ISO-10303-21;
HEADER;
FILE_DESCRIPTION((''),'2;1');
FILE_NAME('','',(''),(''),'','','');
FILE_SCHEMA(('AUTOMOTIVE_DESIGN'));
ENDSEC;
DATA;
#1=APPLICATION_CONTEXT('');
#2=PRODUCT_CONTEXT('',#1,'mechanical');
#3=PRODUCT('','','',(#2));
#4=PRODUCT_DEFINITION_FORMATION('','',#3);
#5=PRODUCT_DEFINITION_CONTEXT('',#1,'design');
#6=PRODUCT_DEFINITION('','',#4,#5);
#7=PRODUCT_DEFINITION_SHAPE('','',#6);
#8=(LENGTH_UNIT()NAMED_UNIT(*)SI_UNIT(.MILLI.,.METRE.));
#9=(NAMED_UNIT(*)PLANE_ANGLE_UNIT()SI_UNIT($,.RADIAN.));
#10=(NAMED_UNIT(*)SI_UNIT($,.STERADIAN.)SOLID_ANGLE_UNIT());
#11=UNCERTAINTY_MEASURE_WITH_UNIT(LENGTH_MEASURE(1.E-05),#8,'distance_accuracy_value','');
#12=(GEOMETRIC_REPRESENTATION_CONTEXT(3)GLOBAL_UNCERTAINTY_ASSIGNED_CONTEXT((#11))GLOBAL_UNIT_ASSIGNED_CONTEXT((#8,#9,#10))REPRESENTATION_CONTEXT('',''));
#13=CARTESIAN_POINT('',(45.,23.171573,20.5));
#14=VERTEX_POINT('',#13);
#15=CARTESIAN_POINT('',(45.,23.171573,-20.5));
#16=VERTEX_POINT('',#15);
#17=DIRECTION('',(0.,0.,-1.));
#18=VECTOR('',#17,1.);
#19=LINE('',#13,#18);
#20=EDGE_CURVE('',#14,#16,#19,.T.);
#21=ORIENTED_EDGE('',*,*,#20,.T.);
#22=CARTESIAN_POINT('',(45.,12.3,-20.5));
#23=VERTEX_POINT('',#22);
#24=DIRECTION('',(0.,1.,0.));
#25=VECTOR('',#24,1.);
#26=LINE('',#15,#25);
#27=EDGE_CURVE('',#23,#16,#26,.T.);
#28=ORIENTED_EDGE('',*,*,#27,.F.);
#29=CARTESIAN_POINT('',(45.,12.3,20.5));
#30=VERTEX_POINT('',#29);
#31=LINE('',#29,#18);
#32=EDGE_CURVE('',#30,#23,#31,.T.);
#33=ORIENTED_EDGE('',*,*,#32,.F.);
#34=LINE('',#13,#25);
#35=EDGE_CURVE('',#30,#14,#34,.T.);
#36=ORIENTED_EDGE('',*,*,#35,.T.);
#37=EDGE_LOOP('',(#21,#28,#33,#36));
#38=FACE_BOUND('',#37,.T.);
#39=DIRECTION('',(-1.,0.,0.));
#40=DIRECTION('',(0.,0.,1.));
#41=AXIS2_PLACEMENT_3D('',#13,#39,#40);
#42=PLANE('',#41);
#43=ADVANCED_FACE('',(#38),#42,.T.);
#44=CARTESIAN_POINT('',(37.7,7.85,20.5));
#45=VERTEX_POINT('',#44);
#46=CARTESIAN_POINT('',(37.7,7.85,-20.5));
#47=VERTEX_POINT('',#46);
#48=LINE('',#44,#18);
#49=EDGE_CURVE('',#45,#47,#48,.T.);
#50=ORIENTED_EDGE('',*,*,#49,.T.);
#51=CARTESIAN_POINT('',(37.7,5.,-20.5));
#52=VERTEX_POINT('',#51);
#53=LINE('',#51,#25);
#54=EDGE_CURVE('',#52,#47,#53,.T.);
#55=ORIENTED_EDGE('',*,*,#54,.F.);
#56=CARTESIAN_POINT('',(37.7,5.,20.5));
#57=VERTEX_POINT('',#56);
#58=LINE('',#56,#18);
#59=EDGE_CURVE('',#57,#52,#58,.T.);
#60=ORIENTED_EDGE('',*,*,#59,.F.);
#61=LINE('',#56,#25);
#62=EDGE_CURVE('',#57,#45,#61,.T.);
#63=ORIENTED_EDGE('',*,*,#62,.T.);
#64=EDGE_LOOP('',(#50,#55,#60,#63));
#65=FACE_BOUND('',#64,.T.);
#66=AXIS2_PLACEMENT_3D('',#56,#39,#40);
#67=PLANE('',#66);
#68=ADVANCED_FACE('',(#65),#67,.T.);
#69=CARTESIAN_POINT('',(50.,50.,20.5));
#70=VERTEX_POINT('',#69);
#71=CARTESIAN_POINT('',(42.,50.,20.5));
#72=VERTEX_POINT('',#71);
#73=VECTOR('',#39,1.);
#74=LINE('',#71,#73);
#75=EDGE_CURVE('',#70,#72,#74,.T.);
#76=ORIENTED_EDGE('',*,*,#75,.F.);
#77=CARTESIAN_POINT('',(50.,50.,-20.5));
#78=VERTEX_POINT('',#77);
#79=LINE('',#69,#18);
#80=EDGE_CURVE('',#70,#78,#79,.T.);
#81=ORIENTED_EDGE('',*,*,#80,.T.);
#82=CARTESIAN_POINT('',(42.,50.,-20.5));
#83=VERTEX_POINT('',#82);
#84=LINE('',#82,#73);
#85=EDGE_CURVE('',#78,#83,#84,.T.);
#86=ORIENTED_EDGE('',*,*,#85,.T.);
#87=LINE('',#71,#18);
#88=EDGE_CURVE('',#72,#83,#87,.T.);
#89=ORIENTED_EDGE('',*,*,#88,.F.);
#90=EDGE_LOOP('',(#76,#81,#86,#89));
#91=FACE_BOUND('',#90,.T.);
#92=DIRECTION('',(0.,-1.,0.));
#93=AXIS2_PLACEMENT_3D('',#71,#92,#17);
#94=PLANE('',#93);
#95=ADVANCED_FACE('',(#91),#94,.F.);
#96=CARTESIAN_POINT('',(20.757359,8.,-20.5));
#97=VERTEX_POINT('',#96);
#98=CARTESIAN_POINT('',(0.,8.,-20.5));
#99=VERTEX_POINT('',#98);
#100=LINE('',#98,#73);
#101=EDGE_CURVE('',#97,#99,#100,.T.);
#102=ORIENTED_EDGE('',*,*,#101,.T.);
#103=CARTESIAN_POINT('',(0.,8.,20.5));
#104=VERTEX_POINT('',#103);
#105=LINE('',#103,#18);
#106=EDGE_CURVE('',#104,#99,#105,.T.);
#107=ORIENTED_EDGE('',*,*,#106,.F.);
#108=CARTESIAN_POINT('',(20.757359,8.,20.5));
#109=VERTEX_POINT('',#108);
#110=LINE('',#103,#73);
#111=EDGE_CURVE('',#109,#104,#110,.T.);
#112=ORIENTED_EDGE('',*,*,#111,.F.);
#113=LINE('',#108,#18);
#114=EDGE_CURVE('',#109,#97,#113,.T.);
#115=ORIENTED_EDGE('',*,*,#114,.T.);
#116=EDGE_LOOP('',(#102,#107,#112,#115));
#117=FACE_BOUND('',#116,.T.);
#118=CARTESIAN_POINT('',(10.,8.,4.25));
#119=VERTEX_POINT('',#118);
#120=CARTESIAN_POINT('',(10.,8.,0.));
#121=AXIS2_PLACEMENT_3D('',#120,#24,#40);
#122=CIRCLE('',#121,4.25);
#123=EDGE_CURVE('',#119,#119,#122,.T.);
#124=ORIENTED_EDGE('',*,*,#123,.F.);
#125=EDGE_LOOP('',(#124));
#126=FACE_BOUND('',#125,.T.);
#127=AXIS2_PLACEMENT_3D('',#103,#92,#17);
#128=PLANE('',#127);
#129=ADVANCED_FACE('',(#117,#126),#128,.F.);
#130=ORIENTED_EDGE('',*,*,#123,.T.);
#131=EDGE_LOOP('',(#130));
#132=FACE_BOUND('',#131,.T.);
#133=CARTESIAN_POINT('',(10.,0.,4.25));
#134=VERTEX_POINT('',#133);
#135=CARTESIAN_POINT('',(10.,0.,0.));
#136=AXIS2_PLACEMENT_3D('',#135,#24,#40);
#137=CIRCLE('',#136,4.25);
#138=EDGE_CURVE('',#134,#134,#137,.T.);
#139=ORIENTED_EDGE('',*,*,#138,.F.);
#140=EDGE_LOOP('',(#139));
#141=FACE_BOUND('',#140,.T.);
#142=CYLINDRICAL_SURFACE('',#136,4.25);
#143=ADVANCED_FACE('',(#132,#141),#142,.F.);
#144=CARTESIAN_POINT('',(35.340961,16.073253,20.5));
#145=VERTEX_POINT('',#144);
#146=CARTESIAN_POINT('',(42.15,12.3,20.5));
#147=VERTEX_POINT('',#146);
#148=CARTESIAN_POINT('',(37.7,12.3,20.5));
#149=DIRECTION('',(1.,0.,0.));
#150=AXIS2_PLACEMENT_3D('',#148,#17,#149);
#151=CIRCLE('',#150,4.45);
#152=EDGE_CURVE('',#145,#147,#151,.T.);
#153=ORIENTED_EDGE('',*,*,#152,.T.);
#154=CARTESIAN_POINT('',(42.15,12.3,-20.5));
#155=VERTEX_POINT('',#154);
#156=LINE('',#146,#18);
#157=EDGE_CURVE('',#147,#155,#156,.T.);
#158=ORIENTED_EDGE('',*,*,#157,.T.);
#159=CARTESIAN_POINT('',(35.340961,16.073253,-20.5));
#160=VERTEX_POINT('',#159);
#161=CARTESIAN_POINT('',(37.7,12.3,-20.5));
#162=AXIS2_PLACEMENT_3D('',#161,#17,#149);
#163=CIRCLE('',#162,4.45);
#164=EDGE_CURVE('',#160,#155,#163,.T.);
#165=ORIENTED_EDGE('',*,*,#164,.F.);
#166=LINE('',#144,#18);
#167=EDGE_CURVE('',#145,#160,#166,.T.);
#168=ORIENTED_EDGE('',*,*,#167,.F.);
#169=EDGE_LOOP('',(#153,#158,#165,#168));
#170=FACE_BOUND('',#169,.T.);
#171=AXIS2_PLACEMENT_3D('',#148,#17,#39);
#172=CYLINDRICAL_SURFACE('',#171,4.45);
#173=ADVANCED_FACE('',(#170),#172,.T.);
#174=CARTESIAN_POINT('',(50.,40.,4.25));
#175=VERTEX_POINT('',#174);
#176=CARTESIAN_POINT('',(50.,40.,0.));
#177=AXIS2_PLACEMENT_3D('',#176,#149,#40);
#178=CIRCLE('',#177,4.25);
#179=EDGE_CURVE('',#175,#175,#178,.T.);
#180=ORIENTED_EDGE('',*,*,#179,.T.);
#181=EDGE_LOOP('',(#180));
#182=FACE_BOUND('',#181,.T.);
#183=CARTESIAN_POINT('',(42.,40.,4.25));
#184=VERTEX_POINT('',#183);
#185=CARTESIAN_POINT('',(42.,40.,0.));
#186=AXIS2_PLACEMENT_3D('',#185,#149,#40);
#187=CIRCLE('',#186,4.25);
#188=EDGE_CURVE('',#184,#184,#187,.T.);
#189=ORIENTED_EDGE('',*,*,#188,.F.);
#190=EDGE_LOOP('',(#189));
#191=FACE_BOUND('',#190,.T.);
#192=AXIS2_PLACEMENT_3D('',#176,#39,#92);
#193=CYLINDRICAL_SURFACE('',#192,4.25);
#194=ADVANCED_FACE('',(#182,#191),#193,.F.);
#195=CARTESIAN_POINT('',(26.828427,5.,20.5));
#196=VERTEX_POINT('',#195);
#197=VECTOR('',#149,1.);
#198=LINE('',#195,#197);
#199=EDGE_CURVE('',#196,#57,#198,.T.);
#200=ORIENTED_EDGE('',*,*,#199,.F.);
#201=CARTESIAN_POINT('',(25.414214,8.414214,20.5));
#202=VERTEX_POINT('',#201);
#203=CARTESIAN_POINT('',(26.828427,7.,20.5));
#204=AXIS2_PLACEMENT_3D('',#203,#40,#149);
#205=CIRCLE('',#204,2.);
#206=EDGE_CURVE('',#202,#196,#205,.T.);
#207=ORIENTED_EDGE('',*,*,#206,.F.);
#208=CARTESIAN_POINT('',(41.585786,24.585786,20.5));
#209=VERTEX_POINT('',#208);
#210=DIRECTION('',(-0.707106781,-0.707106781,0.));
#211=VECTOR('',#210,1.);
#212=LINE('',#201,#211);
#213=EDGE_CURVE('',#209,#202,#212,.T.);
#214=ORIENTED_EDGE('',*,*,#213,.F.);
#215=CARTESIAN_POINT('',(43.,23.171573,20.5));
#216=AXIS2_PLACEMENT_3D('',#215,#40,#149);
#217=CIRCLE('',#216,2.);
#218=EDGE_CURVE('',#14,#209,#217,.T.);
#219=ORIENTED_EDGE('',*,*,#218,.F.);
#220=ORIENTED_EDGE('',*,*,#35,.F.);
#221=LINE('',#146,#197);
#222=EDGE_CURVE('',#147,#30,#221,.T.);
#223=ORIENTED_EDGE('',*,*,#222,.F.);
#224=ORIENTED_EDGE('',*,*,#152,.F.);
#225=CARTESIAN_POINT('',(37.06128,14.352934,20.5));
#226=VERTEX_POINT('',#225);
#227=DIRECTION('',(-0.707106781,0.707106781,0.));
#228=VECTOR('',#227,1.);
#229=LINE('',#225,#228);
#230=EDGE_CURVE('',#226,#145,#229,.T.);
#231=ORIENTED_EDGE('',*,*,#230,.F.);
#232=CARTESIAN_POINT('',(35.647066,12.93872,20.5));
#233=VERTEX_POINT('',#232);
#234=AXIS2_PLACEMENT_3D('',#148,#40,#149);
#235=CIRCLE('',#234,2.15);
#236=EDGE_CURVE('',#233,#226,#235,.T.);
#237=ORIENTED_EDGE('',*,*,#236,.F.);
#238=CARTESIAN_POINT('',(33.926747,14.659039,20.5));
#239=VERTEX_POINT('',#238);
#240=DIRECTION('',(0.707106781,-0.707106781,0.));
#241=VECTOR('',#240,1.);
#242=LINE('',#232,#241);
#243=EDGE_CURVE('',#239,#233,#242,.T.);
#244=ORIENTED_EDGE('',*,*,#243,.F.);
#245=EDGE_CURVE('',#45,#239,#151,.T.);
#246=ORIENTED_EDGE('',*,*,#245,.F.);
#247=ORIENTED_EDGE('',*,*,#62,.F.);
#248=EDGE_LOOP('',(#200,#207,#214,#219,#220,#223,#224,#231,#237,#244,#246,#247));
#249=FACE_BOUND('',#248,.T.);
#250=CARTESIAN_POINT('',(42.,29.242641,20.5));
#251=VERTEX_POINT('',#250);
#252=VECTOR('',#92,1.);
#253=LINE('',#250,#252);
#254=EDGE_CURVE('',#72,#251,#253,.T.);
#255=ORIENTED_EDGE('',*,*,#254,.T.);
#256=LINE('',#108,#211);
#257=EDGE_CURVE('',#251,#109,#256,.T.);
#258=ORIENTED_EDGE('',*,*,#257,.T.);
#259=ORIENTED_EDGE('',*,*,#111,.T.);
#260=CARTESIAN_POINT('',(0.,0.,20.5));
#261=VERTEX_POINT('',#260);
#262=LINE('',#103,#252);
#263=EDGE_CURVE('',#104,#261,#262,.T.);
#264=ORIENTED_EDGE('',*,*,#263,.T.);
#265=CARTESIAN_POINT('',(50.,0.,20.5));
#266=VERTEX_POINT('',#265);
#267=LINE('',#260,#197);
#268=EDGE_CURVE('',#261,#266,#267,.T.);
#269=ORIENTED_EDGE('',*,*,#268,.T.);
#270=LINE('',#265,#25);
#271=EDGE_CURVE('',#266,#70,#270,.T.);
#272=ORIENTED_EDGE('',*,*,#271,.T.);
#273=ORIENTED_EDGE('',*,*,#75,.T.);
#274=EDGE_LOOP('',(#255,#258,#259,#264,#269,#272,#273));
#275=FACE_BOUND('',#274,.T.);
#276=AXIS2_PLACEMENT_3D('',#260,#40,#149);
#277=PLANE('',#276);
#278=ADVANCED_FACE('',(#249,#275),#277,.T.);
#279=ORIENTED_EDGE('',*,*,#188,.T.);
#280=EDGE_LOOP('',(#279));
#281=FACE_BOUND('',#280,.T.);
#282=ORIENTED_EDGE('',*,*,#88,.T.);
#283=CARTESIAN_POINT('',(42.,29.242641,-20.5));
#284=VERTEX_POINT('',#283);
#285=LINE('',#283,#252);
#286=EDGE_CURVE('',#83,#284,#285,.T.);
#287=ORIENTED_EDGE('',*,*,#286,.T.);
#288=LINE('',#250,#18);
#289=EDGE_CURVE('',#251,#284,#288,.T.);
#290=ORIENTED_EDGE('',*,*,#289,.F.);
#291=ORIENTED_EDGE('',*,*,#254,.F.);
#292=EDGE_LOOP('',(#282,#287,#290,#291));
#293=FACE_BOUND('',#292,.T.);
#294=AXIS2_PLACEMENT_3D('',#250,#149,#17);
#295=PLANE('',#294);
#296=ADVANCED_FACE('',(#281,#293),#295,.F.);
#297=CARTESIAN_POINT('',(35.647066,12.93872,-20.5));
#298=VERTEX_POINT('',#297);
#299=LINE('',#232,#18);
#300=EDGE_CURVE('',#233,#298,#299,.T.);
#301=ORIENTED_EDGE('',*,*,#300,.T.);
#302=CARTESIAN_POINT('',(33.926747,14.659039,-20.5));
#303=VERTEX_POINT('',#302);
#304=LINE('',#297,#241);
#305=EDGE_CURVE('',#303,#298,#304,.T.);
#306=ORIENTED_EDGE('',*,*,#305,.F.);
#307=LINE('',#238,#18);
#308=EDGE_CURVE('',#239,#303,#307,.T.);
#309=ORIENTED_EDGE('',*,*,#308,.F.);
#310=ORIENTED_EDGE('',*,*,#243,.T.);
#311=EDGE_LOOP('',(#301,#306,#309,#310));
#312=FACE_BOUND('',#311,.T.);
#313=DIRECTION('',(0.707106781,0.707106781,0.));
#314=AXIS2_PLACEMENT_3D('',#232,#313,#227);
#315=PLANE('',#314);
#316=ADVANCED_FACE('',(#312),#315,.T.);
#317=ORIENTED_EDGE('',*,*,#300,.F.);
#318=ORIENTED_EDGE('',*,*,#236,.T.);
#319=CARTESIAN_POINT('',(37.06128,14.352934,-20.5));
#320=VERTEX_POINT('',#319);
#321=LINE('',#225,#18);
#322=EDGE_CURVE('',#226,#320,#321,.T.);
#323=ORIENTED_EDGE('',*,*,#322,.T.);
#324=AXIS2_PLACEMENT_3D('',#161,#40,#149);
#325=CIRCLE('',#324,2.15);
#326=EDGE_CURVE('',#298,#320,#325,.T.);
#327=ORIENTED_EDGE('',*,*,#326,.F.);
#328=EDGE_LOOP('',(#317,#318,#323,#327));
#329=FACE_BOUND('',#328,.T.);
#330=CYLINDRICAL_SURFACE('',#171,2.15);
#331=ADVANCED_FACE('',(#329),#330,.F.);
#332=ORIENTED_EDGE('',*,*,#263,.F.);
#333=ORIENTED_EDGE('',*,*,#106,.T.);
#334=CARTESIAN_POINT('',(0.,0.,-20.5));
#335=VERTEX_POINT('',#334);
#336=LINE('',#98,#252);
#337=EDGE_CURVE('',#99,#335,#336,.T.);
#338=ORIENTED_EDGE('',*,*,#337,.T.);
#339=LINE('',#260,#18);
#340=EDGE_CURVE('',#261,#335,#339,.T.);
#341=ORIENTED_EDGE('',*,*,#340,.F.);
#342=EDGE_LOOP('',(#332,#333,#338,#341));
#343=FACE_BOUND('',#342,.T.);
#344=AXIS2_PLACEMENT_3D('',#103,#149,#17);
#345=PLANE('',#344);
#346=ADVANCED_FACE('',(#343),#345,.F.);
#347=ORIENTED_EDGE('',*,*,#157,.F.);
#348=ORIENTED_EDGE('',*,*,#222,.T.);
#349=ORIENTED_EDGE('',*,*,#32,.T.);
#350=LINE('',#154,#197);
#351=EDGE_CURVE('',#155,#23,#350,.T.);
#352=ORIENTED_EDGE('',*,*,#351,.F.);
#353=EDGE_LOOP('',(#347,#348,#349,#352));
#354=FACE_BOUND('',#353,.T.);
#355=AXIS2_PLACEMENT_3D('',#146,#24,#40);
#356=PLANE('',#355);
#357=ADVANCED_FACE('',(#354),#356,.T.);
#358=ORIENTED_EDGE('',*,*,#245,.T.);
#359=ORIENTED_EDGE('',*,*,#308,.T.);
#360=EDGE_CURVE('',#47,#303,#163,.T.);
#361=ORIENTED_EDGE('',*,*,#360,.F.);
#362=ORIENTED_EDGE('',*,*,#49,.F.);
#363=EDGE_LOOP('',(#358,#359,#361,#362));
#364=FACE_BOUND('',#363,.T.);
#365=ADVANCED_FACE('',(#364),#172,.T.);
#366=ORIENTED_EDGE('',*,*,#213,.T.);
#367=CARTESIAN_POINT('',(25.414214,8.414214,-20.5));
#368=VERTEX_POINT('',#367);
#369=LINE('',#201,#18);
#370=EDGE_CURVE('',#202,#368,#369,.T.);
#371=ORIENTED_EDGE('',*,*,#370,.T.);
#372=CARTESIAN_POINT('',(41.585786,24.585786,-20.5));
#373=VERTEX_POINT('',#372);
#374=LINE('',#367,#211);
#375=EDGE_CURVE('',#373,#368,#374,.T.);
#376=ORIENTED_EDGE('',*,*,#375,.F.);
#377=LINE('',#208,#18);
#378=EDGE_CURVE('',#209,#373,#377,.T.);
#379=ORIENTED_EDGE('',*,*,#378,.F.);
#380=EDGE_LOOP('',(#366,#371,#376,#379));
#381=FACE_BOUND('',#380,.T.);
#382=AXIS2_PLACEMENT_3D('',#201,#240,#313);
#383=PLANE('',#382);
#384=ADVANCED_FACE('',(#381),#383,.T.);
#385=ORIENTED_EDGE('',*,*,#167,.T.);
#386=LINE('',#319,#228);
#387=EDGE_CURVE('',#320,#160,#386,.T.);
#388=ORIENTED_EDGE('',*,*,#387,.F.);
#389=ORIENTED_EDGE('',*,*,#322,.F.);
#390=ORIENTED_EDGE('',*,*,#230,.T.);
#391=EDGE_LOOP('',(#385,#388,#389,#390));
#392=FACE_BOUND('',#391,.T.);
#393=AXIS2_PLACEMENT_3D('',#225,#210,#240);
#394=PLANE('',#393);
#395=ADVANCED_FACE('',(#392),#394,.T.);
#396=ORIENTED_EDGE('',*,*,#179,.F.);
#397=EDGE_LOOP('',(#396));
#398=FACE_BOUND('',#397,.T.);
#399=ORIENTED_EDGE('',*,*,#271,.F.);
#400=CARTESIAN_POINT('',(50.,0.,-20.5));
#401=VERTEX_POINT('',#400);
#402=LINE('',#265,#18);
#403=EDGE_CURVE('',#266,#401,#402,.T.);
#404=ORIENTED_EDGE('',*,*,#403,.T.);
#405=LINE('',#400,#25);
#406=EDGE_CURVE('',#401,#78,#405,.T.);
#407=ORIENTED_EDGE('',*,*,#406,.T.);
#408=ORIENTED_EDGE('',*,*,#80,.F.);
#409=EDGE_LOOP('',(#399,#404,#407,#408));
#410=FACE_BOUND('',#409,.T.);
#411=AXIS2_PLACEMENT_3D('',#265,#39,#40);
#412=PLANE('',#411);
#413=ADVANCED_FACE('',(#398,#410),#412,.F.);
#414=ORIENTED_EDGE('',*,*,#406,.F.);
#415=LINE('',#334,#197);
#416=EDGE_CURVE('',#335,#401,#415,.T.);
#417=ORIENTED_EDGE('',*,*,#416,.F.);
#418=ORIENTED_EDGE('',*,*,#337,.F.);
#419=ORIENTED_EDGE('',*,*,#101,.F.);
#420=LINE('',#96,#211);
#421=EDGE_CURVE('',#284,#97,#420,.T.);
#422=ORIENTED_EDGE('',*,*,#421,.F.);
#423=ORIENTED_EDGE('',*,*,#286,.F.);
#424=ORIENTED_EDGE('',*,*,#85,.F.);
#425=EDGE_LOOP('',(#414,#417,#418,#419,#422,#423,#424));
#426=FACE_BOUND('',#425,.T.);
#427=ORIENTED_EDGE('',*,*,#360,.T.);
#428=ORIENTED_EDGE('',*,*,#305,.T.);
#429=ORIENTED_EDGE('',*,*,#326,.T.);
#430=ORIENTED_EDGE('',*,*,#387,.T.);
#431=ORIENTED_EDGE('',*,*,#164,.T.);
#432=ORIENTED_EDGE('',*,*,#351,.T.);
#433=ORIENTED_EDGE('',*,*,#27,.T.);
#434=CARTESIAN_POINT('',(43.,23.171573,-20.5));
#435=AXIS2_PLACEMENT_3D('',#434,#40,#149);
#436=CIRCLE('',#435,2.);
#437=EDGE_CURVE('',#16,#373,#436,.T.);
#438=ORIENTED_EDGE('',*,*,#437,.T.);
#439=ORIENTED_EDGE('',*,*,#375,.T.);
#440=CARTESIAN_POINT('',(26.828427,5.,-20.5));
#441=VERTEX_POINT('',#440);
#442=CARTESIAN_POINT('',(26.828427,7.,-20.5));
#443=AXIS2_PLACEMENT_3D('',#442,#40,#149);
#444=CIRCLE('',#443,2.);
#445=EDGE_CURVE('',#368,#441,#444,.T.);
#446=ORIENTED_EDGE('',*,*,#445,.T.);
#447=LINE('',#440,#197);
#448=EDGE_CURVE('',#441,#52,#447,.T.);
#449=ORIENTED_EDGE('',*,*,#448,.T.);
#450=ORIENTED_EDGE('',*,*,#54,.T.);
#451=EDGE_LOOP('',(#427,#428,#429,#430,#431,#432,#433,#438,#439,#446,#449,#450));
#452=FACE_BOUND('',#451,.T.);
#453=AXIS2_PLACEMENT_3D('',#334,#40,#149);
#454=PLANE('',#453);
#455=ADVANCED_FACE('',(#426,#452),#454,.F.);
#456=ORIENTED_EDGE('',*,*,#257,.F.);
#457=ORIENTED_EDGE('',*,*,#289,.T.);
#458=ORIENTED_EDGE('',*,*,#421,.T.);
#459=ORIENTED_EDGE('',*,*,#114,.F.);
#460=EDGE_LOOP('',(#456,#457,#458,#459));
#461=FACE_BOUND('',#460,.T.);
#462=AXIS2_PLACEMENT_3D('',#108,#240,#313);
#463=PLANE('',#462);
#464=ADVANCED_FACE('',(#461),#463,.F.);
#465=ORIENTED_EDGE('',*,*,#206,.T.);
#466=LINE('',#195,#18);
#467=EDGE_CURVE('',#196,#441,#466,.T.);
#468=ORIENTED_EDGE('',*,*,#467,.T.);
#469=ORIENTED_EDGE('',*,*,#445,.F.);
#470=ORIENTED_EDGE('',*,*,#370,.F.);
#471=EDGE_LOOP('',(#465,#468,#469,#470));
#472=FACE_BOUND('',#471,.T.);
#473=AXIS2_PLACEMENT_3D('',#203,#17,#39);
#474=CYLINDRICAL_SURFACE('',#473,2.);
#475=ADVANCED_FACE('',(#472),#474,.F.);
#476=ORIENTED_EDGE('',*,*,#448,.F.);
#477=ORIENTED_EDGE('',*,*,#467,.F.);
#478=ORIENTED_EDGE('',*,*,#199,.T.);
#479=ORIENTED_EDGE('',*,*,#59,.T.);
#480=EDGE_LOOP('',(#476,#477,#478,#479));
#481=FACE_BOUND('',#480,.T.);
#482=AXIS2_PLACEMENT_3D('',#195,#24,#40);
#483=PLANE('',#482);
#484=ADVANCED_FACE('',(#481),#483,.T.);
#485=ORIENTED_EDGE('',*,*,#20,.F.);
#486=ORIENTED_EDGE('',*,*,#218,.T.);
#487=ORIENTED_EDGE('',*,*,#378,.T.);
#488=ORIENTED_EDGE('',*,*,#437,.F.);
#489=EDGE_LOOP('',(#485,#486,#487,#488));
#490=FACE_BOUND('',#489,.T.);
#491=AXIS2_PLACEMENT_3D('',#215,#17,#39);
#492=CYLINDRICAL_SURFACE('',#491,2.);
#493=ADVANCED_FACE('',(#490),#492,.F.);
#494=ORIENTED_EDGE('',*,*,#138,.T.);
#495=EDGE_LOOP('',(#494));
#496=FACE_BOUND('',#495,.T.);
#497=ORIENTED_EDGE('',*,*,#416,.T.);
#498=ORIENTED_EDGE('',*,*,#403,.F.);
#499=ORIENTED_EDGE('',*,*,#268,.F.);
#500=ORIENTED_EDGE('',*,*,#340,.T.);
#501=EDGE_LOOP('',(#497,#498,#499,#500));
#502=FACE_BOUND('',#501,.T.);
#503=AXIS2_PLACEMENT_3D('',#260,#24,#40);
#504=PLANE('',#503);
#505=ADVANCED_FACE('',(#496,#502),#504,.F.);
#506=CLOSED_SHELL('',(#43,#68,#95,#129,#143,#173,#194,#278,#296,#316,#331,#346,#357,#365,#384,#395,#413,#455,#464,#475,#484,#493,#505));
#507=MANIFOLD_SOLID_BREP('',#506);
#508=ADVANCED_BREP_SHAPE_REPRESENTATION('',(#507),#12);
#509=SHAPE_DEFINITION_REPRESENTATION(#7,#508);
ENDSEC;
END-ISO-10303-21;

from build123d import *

# Parameters (mm, degrees)
EXTRUDE_1_DEPTH     = 20.5
SKETCH_3_R          = 4.25
CUT_EXTRUDE_1_DEPTH = 69.441580929


with BuildPart() as part:
    # 草图1 → 凸台-拉伸1 (new, symmetric)
    with BuildSketch(Plane.XY):
        Polygon((0, 0), (50, 0), (50, 50), (42, 50), (42, 29.242640687), (20.757359313, 8), (0, 8), align=None)
        with BuildLine():
            Line((37.061279898, 14.352933665), (35.340960992, 16.07325257))
            ThreePointArc((35.340960992, 16.07325257), (39.856939547, 16.192314452), (42.15, 12.3))
            Line((42.15, 12.3), (45, 12.3))
            Line((45, 12.3), (45, 23.171572875))
            ThreePointArc((45, 23.171572875), (43.765366865, 25.01933194), (41.585786438, 24.585786438))
            Line((41.585786438, 24.585786438), (25.414213562, 8.414213562))
            ThreePointArc((25.414213562, 8.414213562), (24.98066806, 6.234633135), (26.828427125, 5))
            Line((26.828427125, 5), (37.7, 5))
            Line((37.7, 5), (37.7, 7.85))
            ThreePointArc((37.7, 7.85), (33.807685548, 10.143060453), (33.92674743, 14.659039008))
            Line((33.92674743, 14.659039008), (35.647066335, 12.938720102))
            ThreePointArc((35.647066335, 12.938720102), (39.22027958, 10.77972042), (37.061279898, 14.352933665))
        make_face(mode=Mode.SUBTRACT)
    extrude(amount=EXTRUDE_1_DEPTH, both=True)

    # 草图3 → 切除-拉伸1 (cut, through all)
    with BuildSketch(Plane(origin=(0, 8, 0), x_dir=(1, 0, 0), z_dir=(0, 1, 0))):
        with Locations(Location((10, 0, 0), (0, 0, 270))):
            Circle(SKETCH_3_R)
    cut_extrude_1 = extrude(amount=-CUT_EXTRUDE_1_DEPTH, mode=Mode.SUBTRACT)

    # 镜向1: 切除-拉伸1 across plane
    add(cut_extrude_1.mirror(Plane(origin=(25, 25, 0), x_dir=(0, 0, 1), z_dir=(-0.7071067811865485, -0.7071067811865467, 0))), mode=Mode.SUBTRACT)


solid = part.part
